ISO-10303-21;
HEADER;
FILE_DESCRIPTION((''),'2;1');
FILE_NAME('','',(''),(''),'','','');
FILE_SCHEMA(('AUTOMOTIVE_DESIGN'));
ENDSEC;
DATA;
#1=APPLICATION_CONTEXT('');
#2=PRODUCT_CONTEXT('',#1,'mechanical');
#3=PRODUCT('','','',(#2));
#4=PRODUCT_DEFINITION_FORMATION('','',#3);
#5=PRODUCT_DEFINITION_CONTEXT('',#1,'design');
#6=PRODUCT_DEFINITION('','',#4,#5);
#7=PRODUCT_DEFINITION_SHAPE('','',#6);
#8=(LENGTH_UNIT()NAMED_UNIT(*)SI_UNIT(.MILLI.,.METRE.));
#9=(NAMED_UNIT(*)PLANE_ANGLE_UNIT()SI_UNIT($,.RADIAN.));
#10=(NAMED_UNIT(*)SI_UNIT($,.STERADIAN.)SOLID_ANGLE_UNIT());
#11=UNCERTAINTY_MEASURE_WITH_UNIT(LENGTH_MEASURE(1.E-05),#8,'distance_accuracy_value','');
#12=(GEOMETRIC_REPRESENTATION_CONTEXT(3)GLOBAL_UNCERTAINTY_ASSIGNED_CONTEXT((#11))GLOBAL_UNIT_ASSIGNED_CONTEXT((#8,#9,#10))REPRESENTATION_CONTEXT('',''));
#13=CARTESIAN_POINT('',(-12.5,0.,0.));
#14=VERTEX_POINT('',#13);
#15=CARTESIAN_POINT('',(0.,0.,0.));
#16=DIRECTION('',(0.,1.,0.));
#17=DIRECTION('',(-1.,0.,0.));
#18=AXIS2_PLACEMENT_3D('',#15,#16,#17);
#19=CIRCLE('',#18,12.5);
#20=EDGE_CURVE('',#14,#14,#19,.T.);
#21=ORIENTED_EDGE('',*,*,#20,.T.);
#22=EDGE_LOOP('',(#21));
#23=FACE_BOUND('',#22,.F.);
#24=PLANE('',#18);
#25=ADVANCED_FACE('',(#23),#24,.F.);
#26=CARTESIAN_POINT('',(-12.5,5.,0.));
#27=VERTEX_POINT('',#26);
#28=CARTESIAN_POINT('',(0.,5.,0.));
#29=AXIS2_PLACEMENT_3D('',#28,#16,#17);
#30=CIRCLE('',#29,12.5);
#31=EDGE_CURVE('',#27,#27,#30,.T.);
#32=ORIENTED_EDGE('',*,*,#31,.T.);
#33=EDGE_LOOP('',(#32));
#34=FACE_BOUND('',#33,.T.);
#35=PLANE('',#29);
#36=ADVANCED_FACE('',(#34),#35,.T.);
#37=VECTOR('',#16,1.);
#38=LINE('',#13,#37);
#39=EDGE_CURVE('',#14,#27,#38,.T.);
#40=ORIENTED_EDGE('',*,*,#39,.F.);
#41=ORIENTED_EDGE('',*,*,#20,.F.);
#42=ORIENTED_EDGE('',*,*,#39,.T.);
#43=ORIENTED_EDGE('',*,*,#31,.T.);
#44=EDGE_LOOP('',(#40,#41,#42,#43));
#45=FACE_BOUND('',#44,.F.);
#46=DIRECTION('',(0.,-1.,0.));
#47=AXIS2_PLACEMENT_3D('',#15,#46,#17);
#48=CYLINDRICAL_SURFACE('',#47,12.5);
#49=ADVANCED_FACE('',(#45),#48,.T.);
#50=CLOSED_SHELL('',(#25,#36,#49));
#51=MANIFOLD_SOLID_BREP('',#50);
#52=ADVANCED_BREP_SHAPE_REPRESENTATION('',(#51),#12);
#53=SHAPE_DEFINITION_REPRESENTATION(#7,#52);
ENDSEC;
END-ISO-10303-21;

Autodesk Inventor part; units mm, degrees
ref_plane "YZ Plane" through (0, 0, 0) normal (1, 0, 0) x (0, 1, 0)
ref_plane "XZ Plane" through (0, 0, 0) normal (0, 1, 0) x (-1, 0, 0)
ref_plane "XY Plane" through (0, 0, 0) normal (0, 0, 1) x (1, 0, 0)
sketch "Sketch1" plane through (0, 0, 0) normal (0, 1, 0) x (-1, 0, 0)
  circle A0 centre (0, 0) radius 12.5
  dimension "d0" = 25
extrude "Extrusion1" add sketch "Sketch1" along normal blind 5
